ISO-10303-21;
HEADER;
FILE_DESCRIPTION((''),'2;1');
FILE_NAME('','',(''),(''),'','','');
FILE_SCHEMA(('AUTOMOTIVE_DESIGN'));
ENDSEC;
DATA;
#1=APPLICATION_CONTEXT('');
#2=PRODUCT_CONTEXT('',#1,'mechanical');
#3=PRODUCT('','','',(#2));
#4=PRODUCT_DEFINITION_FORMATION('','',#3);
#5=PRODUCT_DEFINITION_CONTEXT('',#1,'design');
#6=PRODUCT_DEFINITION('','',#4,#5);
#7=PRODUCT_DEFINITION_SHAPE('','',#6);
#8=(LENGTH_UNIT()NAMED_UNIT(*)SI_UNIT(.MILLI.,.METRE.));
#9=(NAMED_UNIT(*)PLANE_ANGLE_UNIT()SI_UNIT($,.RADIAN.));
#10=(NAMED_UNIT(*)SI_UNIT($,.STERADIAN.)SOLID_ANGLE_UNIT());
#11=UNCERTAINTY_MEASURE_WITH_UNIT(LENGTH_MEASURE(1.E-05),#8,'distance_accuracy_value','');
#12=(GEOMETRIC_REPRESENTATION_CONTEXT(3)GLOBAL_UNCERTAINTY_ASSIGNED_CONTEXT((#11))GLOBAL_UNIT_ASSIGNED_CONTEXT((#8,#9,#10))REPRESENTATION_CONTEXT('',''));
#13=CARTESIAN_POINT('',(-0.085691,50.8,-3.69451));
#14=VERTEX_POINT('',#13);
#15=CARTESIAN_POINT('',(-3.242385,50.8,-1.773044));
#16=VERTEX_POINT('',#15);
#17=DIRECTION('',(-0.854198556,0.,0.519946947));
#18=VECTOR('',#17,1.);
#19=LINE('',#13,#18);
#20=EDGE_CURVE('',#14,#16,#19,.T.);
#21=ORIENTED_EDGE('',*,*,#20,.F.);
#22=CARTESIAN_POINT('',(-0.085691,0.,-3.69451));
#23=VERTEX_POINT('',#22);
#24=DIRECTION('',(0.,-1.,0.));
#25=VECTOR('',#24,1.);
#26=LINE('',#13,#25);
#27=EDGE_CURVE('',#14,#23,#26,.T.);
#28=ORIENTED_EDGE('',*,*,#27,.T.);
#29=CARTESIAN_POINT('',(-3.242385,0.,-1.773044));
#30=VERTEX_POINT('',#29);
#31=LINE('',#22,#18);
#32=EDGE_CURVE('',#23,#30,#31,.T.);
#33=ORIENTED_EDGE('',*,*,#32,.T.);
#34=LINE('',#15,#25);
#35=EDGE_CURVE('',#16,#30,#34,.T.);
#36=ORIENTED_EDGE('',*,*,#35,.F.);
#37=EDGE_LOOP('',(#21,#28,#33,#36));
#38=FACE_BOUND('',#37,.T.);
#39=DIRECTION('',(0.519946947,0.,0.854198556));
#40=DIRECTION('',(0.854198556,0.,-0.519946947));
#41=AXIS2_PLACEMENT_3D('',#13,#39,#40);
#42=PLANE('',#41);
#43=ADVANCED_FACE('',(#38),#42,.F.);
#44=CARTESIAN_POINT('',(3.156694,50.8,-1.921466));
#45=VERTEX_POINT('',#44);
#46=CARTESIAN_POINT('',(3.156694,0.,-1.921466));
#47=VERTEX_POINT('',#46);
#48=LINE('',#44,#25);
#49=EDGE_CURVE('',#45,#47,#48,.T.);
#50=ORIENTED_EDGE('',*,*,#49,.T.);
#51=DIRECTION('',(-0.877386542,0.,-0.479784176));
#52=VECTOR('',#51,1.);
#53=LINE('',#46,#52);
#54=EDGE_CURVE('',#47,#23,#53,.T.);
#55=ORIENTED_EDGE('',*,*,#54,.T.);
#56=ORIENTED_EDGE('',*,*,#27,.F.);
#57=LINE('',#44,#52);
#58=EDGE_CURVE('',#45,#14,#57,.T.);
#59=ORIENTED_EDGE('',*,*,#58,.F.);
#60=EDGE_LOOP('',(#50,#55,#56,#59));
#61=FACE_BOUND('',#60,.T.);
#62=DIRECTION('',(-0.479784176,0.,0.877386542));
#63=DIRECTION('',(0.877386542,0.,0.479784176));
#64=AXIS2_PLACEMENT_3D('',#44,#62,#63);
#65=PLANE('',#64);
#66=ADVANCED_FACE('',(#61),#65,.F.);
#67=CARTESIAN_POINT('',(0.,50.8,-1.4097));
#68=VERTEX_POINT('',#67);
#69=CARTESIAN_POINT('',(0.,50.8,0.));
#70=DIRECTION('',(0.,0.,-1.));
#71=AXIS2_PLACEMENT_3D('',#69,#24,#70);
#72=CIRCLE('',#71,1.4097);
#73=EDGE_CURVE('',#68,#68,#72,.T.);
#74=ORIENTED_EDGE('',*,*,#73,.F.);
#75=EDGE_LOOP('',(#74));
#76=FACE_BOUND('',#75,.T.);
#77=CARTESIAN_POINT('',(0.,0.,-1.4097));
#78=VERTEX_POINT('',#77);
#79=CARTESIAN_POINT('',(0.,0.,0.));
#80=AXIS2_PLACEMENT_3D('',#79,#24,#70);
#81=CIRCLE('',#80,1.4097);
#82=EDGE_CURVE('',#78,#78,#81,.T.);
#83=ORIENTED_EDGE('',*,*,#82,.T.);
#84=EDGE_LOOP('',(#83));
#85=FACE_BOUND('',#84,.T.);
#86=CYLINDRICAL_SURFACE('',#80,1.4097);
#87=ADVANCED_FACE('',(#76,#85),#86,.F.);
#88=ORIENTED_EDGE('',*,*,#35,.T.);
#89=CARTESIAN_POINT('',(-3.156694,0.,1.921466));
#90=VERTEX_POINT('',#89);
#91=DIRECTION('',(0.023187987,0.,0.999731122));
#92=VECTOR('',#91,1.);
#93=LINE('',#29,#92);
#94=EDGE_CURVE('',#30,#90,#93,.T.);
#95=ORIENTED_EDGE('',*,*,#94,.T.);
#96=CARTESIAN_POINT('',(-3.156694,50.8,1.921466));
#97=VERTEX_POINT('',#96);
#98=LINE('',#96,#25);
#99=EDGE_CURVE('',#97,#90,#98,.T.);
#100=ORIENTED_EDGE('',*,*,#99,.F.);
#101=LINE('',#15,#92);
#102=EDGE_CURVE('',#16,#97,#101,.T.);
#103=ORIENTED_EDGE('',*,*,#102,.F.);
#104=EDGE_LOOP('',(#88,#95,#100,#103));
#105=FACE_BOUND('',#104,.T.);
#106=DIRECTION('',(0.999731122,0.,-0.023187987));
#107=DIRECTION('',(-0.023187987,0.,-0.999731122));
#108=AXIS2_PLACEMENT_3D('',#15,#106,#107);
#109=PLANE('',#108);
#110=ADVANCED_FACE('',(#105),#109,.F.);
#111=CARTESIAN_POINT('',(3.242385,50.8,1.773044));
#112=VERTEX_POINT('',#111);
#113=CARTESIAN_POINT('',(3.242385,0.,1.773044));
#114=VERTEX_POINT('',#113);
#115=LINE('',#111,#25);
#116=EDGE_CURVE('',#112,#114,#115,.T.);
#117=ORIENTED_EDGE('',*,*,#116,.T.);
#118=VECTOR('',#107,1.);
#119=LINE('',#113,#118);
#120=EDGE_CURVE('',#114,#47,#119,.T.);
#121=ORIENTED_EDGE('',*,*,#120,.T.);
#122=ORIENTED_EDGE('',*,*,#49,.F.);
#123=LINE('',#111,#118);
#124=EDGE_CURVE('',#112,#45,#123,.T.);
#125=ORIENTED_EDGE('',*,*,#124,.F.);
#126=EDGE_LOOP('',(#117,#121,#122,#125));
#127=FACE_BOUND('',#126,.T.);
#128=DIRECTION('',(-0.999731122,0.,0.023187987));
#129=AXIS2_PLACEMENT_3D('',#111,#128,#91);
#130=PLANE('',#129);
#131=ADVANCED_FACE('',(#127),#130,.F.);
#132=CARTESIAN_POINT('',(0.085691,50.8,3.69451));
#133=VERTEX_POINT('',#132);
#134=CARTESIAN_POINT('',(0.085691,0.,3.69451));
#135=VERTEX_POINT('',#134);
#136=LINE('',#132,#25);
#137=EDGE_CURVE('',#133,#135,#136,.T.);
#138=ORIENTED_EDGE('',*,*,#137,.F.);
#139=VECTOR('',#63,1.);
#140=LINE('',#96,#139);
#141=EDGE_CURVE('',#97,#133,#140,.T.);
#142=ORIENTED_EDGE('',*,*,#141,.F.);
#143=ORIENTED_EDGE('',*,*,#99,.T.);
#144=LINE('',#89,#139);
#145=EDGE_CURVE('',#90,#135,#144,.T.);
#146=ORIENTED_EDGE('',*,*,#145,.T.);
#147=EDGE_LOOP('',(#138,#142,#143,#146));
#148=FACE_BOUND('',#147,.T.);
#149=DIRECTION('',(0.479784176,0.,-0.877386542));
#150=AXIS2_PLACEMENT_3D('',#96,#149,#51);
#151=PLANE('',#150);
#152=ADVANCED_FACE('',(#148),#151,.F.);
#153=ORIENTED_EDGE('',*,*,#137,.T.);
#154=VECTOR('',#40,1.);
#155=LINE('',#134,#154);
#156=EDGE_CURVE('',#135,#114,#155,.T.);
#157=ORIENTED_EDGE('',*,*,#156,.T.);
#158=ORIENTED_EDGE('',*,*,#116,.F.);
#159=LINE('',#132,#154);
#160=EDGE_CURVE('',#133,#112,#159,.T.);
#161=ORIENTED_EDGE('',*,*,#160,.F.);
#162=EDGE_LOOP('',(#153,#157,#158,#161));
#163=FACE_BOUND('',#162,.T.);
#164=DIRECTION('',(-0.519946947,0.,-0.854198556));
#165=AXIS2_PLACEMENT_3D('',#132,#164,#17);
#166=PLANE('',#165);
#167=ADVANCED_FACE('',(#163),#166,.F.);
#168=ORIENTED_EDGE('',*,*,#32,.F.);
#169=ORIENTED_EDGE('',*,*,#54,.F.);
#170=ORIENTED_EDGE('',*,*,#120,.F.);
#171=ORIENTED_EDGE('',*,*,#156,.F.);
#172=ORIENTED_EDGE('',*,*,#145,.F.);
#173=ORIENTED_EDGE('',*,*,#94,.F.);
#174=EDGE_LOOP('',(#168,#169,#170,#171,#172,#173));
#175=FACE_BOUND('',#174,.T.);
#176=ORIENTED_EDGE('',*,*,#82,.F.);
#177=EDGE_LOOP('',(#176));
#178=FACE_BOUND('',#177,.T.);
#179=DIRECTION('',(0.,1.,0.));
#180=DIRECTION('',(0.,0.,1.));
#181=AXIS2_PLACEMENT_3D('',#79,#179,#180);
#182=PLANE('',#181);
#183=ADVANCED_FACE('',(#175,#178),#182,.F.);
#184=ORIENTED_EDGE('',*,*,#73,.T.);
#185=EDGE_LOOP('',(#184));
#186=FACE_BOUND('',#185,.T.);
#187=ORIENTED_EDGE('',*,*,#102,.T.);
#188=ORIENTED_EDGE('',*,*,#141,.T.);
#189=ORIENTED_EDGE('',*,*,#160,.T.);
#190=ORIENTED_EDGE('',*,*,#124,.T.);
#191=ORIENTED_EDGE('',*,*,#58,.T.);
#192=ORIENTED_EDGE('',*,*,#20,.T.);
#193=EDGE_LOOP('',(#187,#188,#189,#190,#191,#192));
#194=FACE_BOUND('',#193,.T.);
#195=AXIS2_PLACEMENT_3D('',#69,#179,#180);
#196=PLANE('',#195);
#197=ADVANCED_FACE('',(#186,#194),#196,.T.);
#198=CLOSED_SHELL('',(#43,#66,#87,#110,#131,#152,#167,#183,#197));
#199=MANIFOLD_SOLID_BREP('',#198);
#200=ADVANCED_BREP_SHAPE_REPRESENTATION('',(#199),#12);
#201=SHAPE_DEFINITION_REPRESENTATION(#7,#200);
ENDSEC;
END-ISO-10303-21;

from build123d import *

# Parameters (mm, degrees)
BOSS_EXTRUDE1_DEPTH         = 50.8
F_34_0_111_DIAMETER_HOLE1_D = 2.8194


with BuildPart() as part:
    # Sketch1 → Boss-Extrude1 (new body)
    with BuildSketch(Plane(origin=(0, 0, 0), x_dir=(1, 0, 0), z_dir=(0, 1, 0))):
        Polygon((3.15669384, 1.921465816), (-0.085691289, 3.694509965), (-3.242385129, 1.77304415), (-3.15669384, -1.921465816), (0.085691289, -3.694509965), (3.242385129, -1.77304415), align=None)
    extrude(amount=BOSS_EXTRUDE1_DEPTH)

    # #34 (0.111) Diameter Hole1 (through all)
    with Locations(Plane(origin=(0, 0, 0), x_dir=(-1, 0, 0), z_dir=(0, -1, 0))):
        with Locations((0, 0)):
            Hole(F_34_0_111_DIAMETER_HOLE1_D / 2)


solid = part.part
